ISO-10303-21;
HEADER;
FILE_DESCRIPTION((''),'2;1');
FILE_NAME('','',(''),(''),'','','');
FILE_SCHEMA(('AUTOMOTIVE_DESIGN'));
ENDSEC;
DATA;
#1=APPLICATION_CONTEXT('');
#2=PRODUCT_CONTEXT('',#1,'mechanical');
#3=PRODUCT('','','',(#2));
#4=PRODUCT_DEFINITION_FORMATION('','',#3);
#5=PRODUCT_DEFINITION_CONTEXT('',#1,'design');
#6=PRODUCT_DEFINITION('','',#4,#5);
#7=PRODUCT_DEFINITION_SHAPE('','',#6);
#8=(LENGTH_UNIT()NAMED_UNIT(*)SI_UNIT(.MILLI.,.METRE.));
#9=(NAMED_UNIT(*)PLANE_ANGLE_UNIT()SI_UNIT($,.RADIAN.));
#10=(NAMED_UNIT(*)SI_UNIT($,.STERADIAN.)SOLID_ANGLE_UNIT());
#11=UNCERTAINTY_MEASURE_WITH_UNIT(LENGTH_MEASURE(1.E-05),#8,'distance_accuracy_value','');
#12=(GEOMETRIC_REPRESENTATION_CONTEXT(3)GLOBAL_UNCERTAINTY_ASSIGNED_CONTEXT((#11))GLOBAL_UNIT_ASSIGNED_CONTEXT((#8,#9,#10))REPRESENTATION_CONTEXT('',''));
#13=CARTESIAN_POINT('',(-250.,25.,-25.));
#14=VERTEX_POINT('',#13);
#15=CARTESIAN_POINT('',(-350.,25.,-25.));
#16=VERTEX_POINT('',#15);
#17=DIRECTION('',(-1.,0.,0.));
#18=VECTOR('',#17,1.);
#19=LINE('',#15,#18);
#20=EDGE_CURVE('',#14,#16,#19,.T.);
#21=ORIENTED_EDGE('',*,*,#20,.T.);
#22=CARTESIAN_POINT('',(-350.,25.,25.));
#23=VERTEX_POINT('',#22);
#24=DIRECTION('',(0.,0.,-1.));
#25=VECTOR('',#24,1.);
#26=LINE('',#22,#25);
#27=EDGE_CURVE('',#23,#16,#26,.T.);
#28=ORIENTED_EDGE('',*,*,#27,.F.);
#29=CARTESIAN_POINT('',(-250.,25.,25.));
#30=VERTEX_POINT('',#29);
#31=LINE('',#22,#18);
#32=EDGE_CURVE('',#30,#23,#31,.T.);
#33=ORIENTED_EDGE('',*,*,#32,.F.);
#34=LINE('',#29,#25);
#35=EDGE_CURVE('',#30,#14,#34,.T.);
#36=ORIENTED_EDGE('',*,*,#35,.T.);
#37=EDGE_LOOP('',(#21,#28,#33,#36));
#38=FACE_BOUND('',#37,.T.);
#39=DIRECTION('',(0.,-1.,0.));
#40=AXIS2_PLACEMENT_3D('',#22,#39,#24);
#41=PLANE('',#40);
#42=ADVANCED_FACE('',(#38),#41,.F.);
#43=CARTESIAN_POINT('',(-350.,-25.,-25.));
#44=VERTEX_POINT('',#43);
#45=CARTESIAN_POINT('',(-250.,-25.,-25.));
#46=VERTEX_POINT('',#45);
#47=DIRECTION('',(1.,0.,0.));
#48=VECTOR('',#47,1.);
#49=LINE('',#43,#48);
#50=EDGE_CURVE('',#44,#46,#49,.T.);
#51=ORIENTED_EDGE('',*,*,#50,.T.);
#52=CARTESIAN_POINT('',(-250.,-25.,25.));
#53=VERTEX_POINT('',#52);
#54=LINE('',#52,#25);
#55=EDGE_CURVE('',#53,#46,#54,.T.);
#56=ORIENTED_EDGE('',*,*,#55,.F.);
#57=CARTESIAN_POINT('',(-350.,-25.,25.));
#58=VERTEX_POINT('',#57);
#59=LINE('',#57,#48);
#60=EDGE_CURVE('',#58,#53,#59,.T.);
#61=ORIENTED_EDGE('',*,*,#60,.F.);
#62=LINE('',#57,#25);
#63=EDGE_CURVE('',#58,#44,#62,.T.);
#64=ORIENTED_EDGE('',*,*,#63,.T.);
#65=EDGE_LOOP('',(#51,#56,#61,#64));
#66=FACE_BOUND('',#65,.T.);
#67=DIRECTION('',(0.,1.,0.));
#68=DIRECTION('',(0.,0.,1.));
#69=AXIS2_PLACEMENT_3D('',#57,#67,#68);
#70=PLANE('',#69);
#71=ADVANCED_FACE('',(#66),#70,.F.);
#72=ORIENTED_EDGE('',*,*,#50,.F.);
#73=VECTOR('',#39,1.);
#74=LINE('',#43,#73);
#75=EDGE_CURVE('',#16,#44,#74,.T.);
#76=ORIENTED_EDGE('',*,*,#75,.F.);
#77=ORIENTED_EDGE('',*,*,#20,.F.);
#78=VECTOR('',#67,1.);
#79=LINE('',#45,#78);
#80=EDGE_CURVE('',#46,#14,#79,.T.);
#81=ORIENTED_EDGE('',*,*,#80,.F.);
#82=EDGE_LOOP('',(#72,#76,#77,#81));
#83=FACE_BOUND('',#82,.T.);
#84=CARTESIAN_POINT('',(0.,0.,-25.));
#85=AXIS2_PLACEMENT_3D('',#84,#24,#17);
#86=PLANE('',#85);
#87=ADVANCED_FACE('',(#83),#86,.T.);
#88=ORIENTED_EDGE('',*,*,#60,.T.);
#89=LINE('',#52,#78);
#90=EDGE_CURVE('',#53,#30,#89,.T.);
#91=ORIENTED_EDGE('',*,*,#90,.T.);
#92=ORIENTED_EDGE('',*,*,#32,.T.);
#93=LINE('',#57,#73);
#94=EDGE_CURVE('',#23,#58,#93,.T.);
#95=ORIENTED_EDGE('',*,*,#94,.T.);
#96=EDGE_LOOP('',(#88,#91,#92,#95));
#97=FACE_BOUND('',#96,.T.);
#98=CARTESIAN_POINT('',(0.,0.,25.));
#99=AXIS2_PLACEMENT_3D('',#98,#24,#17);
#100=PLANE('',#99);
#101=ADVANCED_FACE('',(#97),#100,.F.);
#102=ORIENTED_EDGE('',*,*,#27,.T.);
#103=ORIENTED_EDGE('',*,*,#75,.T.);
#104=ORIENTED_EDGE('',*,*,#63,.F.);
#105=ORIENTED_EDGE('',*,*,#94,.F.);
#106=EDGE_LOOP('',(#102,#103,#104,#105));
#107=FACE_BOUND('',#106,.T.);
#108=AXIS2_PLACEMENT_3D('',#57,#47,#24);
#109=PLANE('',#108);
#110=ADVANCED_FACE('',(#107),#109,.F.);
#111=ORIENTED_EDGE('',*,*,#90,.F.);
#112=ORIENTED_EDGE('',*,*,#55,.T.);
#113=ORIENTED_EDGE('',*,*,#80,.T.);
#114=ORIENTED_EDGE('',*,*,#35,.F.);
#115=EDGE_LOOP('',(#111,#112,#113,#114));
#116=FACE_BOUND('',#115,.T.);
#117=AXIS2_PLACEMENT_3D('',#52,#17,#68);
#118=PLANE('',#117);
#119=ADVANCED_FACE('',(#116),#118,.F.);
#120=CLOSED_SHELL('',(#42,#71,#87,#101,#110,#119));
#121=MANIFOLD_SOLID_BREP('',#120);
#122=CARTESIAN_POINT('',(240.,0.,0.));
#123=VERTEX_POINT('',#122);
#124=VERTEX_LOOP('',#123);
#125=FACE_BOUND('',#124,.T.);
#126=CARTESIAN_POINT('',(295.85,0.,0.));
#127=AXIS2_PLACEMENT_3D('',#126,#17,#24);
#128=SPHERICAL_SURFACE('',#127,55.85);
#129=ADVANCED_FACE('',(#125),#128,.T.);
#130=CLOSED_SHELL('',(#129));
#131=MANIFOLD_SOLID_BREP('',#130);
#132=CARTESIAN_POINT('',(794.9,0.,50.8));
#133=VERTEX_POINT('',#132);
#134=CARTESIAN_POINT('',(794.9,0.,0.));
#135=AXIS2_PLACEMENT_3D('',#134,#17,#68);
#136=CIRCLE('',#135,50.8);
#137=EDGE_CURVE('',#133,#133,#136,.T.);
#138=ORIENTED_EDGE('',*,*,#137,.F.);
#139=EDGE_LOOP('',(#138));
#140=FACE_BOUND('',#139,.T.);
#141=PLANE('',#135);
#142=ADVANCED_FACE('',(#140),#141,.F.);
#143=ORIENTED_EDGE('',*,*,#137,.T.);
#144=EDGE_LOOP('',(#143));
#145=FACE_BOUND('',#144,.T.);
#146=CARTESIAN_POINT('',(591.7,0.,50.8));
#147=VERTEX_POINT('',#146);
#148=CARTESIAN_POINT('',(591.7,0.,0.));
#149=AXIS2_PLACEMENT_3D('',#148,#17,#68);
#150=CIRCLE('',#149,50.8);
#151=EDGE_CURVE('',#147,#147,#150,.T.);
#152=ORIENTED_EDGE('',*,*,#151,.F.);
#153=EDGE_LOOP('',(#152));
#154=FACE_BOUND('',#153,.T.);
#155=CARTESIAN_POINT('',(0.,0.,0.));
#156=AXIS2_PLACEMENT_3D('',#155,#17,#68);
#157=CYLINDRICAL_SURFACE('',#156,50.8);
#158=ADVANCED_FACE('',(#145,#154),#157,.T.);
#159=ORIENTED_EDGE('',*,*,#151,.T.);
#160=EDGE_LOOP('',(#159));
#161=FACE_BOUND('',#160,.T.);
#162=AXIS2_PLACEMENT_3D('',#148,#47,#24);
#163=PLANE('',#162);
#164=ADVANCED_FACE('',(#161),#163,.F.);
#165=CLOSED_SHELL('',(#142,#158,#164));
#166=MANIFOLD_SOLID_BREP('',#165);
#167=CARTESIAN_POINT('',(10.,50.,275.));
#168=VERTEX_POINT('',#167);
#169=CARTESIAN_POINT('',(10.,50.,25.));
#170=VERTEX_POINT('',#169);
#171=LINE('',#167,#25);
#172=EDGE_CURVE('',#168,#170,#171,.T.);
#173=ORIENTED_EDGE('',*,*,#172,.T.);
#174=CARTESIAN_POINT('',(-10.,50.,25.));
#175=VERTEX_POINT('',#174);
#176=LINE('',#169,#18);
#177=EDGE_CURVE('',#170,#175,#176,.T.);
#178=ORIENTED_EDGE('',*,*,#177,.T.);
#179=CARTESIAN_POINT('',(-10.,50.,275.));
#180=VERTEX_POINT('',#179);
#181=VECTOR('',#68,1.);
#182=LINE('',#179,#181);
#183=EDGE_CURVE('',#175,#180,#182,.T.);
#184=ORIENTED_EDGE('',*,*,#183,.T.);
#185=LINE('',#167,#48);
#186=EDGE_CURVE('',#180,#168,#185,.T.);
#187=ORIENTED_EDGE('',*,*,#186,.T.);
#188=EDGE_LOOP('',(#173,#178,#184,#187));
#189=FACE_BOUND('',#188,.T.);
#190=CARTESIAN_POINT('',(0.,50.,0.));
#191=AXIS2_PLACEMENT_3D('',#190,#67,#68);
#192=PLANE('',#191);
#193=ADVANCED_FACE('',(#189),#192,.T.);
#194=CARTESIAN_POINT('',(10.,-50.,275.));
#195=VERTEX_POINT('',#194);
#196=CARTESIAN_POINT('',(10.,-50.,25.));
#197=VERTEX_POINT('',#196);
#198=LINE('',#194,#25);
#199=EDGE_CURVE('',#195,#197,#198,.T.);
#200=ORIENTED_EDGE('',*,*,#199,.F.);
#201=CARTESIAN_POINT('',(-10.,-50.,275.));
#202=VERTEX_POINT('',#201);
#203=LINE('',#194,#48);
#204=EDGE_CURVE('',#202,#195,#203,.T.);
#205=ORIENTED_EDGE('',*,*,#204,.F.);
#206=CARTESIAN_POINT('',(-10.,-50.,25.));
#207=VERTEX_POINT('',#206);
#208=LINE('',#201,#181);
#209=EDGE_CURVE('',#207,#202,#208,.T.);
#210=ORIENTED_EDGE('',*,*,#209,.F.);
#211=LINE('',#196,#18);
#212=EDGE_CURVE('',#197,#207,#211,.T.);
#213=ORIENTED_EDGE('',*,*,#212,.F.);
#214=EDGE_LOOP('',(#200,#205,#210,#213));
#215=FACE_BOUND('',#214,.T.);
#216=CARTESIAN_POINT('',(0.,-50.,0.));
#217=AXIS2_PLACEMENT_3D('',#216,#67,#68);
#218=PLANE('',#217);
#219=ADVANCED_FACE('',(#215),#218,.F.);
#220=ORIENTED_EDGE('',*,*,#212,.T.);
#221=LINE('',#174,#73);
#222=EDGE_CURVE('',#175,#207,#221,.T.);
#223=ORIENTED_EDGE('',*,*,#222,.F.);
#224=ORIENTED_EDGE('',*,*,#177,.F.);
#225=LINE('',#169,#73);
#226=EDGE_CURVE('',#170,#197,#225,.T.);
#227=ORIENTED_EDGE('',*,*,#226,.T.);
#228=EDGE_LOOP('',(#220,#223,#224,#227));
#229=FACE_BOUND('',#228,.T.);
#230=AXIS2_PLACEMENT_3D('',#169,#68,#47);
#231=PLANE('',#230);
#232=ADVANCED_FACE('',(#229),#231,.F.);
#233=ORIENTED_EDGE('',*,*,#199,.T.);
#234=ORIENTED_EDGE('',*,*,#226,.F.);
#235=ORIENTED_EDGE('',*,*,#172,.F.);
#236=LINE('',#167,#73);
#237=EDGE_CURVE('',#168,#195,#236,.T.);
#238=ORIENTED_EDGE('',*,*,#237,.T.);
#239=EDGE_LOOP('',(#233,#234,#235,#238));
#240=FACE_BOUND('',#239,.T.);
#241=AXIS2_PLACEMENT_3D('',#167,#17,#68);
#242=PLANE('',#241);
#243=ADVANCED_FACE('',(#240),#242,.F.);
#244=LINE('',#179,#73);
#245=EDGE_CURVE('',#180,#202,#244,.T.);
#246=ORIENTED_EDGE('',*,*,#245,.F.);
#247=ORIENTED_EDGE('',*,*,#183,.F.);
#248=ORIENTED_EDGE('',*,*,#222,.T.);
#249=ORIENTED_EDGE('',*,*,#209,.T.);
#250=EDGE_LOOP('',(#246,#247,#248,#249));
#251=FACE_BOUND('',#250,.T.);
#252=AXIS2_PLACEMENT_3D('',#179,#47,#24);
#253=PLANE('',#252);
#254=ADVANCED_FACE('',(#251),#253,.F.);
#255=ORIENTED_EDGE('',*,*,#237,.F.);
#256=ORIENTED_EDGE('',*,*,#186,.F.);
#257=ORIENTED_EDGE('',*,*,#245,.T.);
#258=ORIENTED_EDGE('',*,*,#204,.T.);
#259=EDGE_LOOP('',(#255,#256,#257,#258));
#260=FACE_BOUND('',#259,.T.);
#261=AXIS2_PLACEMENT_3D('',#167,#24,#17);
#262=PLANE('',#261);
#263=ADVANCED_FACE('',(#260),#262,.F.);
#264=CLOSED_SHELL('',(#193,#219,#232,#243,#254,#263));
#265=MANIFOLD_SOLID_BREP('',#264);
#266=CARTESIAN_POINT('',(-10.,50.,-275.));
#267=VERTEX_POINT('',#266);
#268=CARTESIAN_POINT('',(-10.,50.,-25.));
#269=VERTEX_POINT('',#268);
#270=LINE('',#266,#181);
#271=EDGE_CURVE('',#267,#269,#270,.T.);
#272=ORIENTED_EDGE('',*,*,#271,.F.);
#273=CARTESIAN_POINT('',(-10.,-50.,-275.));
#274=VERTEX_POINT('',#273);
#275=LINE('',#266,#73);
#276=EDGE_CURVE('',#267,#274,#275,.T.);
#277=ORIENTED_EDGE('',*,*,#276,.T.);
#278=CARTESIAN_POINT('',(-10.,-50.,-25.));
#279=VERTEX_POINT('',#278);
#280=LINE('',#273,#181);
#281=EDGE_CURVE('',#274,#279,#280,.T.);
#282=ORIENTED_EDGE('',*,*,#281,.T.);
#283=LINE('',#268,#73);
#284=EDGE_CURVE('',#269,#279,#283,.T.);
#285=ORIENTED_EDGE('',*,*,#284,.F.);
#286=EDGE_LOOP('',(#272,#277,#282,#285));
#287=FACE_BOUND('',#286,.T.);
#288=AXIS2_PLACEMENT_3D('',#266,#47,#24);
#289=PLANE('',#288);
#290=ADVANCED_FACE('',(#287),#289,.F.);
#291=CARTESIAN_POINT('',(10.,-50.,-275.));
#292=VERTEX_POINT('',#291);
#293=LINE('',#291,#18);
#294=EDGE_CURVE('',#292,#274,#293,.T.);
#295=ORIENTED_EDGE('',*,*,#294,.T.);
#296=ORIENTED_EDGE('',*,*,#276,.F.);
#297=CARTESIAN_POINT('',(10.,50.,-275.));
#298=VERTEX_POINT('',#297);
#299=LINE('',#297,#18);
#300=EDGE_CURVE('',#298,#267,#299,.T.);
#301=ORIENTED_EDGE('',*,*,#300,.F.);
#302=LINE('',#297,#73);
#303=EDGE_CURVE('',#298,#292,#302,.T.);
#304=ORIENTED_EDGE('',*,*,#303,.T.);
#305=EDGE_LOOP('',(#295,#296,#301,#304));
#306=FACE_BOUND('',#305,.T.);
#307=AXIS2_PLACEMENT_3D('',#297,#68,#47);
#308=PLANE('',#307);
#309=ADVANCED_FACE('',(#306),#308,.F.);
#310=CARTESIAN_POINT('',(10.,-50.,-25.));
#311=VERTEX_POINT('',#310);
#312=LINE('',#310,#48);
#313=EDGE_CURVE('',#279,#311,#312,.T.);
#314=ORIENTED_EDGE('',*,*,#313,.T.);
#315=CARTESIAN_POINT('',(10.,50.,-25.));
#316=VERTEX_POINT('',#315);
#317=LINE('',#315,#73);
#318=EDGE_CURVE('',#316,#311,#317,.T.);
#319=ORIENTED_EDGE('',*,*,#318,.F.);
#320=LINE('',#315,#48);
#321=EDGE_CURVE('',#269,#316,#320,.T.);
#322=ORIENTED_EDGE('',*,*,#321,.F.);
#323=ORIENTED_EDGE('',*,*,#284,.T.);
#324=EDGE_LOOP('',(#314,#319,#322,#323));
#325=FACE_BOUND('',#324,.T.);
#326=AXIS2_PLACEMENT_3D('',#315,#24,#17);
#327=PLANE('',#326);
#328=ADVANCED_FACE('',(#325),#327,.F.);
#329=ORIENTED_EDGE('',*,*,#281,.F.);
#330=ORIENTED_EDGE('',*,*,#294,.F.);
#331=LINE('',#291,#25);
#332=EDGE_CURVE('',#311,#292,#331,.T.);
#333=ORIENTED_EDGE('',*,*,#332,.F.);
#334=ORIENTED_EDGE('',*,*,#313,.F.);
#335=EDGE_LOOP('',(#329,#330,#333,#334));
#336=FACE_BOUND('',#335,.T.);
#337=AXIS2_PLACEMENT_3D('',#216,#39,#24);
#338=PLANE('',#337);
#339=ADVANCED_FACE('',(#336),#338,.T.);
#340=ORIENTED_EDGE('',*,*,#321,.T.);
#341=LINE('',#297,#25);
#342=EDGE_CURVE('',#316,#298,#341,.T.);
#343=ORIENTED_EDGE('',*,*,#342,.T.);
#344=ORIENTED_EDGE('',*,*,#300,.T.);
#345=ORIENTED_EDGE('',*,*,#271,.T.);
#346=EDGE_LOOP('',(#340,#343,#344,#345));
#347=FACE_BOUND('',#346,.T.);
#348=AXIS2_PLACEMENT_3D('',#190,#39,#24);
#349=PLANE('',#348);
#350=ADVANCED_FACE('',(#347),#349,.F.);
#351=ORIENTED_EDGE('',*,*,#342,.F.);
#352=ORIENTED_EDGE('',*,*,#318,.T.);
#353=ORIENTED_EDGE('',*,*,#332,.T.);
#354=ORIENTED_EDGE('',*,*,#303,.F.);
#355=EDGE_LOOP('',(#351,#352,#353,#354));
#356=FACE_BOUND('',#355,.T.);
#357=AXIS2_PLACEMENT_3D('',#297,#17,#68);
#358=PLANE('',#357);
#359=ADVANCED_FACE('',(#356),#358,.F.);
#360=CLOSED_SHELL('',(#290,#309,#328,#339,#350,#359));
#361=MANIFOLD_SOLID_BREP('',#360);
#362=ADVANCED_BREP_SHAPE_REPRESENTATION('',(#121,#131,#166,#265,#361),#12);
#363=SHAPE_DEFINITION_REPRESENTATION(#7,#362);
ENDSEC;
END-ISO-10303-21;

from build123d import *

# Parameters (mm, degrees)
SKETCH2_W             = 100
SKETCH2_H             = 50
BOSS_EXTRUDE2_DEPTH   = 25
SKETCH3_W             = 203.2
SKETCH3_H             = 50.8
SKETCH4_W             = 20
SKETCH4_H             = 250
BOSS_EXTRUDE3_DEPTH   = 50
BOSS_EXTRUDE3_2_DEPTH = 50


with BuildPart() as part:
    # Sketch2 → Boss-Extrude2 (new, symmetric)
    with BuildSketch(Plane.XY):
        with Locations((-300, 0)):
            Rectangle(SKETCH2_W, SKETCH2_H)
    extrude(amount=BOSS_EXTRUDE2_DEPTH, both=True)


with BuildPart() as body_2:
    # Sketch3 → Revolve1 (revolve)
    with BuildSketch(Plane(origin=(0, 0, 0), x_dir=(1, 0, 0), z_dir=(0, 1, 0))):
        with BuildLine():
            Line((240, 0), (351.7, 0))
            ThreePointArc((351.7, 0), (295.85, 55.85), (240, 0))
        make_face()
        with Locations((693.3, 25.4)):
            Rectangle(SKETCH3_W, SKETCH3_H)
    revolve(axis=Axis((0, 0, 0), (1, 0, 0)))


with BuildPart() as body_3:
    # Sketch4 → Boss-Extrude3 (new, symmetric)
    with BuildSketch(Plane(origin=(0, 0, 0), x_dir=(1, 0, 0), z_dir=(0, 1, 0))):
        with Locations((0, 150)):
            Rectangle(SKETCH4_W, SKETCH4_H)
    extrude(amount=BOSS_EXTRUDE3_DEPTH, both=True)


with BuildPart() as body_4:
    # Sketch4 → Boss-Extrude3 2 (new, symmetric)
    with BuildSketch(Plane(origin=(0, 0, 0), x_dir=(1, 0, 0), z_dir=(0, 1, 0))):
        with Locations((0, -150)):
            Rectangle(SKETCH4_W, SKETCH4_H)
    extrude(amount=BOSS_EXTRUDE3_2_DEPTH, both=True)


solid = Compound([part.part, body_2.part, body_3.part, body_4.part])
